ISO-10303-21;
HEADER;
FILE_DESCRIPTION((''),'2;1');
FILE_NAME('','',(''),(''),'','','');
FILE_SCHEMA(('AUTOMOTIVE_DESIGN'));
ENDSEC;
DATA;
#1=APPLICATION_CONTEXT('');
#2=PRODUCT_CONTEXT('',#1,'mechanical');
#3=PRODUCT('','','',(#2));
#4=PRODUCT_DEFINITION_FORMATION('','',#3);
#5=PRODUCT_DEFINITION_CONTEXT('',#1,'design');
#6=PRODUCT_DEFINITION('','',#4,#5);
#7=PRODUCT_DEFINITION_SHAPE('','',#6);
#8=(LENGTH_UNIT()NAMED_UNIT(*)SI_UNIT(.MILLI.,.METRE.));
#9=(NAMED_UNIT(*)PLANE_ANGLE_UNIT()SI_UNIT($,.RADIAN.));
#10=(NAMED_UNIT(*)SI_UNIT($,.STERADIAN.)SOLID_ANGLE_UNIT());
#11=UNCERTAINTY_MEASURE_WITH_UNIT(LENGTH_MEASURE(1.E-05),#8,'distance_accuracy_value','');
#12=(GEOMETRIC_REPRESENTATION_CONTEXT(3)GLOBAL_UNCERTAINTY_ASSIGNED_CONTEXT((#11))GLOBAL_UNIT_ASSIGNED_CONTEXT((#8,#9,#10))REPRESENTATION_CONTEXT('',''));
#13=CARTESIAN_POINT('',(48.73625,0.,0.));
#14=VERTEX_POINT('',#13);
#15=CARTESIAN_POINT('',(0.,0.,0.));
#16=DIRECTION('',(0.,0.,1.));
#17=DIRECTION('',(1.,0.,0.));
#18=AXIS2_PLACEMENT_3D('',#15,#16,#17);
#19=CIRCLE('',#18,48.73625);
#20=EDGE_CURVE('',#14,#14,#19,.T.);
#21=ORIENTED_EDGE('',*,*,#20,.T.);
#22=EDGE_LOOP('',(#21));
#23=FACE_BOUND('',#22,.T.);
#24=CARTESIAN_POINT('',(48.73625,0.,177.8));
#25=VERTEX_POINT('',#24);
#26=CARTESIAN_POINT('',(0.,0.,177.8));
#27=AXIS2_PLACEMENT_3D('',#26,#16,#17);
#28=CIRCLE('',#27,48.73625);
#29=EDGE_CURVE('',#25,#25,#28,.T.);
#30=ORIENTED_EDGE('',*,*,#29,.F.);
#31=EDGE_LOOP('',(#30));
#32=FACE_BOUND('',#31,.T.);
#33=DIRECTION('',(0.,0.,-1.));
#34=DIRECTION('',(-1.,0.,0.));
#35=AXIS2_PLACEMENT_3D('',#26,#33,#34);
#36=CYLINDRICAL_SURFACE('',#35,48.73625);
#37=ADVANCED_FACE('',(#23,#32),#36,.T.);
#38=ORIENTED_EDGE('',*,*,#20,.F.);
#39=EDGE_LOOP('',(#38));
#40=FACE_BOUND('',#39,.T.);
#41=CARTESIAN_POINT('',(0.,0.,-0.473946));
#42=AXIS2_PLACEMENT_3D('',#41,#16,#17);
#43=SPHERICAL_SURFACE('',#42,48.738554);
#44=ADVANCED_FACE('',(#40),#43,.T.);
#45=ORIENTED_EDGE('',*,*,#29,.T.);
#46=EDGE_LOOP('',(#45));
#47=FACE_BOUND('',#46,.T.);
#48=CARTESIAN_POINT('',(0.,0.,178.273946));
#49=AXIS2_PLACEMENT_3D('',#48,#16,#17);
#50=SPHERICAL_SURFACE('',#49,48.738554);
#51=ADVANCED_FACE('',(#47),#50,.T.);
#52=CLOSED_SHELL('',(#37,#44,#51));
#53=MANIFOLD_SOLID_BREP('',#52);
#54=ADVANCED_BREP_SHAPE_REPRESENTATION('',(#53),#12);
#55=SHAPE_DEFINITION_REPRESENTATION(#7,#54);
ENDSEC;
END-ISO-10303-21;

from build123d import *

# Parameters (mm, degrees)
SKETCH1_R           = 48.73625
BOSS_EXTRUDE1_DEPTH = 177.8
DOME1_FACE_RADIUS   = 48.73625
DOME1_HEIGHT        = 49.2125
DOME2_FACE_RADIUS   = 48.73625
DOME2_HEIGHT        = 49.2125


with BuildPart() as part:
    # Sketch1 → Boss-Extrude1 (new body)
    with BuildSketch(Plane.XY):
        Circle(SKETCH1_R)
    extrude(amount=BOSS_EXTRUDE1_DEPTH)

    # Dome1: a dome of height H over a round flat face of radius A is a cap of a sphere of radius (A * A + H * H) / (2 * H)
    dome1_r = (DOME1_FACE_RADIUS * DOME1_FACE_RADIUS + DOME1_HEIGHT * DOME1_HEIGHT) / (2 * DOME1_HEIGHT)
    dome1_base = Plane((0, 0, 177.8), z_dir=(0, 0, 1))
    with Locations(dome1_base.offset(DOME1_HEIGHT - dome1_r)):
        dome1_ball = Sphere(dome1_r, mode=Mode.PRIVATE)
    add(split(dome1_ball, bisect_by=dome1_base, keep=Keep.TOP, mode=Mode.PRIVATE))

    # Dome2: a dome of height H over a round flat face of radius A is a cap of a sphere of radius (A * A + H * H) / (2 * H)
    dome2_r = (DOME2_FACE_RADIUS * DOME2_FACE_RADIUS + DOME2_HEIGHT * DOME2_HEIGHT) / (2 * DOME2_HEIGHT)
    dome2_base = Plane((0, 0, 0), z_dir=(0, 0, -1))
    with Locations(dome2_base.offset(DOME2_HEIGHT - dome2_r)):
        dome2_ball = Sphere(dome2_r, mode=Mode.PRIVATE)
    add(split(dome2_ball, bisect_by=dome2_base, keep=Keep.TOP, mode=Mode.PRIVATE))


solid = part.part
